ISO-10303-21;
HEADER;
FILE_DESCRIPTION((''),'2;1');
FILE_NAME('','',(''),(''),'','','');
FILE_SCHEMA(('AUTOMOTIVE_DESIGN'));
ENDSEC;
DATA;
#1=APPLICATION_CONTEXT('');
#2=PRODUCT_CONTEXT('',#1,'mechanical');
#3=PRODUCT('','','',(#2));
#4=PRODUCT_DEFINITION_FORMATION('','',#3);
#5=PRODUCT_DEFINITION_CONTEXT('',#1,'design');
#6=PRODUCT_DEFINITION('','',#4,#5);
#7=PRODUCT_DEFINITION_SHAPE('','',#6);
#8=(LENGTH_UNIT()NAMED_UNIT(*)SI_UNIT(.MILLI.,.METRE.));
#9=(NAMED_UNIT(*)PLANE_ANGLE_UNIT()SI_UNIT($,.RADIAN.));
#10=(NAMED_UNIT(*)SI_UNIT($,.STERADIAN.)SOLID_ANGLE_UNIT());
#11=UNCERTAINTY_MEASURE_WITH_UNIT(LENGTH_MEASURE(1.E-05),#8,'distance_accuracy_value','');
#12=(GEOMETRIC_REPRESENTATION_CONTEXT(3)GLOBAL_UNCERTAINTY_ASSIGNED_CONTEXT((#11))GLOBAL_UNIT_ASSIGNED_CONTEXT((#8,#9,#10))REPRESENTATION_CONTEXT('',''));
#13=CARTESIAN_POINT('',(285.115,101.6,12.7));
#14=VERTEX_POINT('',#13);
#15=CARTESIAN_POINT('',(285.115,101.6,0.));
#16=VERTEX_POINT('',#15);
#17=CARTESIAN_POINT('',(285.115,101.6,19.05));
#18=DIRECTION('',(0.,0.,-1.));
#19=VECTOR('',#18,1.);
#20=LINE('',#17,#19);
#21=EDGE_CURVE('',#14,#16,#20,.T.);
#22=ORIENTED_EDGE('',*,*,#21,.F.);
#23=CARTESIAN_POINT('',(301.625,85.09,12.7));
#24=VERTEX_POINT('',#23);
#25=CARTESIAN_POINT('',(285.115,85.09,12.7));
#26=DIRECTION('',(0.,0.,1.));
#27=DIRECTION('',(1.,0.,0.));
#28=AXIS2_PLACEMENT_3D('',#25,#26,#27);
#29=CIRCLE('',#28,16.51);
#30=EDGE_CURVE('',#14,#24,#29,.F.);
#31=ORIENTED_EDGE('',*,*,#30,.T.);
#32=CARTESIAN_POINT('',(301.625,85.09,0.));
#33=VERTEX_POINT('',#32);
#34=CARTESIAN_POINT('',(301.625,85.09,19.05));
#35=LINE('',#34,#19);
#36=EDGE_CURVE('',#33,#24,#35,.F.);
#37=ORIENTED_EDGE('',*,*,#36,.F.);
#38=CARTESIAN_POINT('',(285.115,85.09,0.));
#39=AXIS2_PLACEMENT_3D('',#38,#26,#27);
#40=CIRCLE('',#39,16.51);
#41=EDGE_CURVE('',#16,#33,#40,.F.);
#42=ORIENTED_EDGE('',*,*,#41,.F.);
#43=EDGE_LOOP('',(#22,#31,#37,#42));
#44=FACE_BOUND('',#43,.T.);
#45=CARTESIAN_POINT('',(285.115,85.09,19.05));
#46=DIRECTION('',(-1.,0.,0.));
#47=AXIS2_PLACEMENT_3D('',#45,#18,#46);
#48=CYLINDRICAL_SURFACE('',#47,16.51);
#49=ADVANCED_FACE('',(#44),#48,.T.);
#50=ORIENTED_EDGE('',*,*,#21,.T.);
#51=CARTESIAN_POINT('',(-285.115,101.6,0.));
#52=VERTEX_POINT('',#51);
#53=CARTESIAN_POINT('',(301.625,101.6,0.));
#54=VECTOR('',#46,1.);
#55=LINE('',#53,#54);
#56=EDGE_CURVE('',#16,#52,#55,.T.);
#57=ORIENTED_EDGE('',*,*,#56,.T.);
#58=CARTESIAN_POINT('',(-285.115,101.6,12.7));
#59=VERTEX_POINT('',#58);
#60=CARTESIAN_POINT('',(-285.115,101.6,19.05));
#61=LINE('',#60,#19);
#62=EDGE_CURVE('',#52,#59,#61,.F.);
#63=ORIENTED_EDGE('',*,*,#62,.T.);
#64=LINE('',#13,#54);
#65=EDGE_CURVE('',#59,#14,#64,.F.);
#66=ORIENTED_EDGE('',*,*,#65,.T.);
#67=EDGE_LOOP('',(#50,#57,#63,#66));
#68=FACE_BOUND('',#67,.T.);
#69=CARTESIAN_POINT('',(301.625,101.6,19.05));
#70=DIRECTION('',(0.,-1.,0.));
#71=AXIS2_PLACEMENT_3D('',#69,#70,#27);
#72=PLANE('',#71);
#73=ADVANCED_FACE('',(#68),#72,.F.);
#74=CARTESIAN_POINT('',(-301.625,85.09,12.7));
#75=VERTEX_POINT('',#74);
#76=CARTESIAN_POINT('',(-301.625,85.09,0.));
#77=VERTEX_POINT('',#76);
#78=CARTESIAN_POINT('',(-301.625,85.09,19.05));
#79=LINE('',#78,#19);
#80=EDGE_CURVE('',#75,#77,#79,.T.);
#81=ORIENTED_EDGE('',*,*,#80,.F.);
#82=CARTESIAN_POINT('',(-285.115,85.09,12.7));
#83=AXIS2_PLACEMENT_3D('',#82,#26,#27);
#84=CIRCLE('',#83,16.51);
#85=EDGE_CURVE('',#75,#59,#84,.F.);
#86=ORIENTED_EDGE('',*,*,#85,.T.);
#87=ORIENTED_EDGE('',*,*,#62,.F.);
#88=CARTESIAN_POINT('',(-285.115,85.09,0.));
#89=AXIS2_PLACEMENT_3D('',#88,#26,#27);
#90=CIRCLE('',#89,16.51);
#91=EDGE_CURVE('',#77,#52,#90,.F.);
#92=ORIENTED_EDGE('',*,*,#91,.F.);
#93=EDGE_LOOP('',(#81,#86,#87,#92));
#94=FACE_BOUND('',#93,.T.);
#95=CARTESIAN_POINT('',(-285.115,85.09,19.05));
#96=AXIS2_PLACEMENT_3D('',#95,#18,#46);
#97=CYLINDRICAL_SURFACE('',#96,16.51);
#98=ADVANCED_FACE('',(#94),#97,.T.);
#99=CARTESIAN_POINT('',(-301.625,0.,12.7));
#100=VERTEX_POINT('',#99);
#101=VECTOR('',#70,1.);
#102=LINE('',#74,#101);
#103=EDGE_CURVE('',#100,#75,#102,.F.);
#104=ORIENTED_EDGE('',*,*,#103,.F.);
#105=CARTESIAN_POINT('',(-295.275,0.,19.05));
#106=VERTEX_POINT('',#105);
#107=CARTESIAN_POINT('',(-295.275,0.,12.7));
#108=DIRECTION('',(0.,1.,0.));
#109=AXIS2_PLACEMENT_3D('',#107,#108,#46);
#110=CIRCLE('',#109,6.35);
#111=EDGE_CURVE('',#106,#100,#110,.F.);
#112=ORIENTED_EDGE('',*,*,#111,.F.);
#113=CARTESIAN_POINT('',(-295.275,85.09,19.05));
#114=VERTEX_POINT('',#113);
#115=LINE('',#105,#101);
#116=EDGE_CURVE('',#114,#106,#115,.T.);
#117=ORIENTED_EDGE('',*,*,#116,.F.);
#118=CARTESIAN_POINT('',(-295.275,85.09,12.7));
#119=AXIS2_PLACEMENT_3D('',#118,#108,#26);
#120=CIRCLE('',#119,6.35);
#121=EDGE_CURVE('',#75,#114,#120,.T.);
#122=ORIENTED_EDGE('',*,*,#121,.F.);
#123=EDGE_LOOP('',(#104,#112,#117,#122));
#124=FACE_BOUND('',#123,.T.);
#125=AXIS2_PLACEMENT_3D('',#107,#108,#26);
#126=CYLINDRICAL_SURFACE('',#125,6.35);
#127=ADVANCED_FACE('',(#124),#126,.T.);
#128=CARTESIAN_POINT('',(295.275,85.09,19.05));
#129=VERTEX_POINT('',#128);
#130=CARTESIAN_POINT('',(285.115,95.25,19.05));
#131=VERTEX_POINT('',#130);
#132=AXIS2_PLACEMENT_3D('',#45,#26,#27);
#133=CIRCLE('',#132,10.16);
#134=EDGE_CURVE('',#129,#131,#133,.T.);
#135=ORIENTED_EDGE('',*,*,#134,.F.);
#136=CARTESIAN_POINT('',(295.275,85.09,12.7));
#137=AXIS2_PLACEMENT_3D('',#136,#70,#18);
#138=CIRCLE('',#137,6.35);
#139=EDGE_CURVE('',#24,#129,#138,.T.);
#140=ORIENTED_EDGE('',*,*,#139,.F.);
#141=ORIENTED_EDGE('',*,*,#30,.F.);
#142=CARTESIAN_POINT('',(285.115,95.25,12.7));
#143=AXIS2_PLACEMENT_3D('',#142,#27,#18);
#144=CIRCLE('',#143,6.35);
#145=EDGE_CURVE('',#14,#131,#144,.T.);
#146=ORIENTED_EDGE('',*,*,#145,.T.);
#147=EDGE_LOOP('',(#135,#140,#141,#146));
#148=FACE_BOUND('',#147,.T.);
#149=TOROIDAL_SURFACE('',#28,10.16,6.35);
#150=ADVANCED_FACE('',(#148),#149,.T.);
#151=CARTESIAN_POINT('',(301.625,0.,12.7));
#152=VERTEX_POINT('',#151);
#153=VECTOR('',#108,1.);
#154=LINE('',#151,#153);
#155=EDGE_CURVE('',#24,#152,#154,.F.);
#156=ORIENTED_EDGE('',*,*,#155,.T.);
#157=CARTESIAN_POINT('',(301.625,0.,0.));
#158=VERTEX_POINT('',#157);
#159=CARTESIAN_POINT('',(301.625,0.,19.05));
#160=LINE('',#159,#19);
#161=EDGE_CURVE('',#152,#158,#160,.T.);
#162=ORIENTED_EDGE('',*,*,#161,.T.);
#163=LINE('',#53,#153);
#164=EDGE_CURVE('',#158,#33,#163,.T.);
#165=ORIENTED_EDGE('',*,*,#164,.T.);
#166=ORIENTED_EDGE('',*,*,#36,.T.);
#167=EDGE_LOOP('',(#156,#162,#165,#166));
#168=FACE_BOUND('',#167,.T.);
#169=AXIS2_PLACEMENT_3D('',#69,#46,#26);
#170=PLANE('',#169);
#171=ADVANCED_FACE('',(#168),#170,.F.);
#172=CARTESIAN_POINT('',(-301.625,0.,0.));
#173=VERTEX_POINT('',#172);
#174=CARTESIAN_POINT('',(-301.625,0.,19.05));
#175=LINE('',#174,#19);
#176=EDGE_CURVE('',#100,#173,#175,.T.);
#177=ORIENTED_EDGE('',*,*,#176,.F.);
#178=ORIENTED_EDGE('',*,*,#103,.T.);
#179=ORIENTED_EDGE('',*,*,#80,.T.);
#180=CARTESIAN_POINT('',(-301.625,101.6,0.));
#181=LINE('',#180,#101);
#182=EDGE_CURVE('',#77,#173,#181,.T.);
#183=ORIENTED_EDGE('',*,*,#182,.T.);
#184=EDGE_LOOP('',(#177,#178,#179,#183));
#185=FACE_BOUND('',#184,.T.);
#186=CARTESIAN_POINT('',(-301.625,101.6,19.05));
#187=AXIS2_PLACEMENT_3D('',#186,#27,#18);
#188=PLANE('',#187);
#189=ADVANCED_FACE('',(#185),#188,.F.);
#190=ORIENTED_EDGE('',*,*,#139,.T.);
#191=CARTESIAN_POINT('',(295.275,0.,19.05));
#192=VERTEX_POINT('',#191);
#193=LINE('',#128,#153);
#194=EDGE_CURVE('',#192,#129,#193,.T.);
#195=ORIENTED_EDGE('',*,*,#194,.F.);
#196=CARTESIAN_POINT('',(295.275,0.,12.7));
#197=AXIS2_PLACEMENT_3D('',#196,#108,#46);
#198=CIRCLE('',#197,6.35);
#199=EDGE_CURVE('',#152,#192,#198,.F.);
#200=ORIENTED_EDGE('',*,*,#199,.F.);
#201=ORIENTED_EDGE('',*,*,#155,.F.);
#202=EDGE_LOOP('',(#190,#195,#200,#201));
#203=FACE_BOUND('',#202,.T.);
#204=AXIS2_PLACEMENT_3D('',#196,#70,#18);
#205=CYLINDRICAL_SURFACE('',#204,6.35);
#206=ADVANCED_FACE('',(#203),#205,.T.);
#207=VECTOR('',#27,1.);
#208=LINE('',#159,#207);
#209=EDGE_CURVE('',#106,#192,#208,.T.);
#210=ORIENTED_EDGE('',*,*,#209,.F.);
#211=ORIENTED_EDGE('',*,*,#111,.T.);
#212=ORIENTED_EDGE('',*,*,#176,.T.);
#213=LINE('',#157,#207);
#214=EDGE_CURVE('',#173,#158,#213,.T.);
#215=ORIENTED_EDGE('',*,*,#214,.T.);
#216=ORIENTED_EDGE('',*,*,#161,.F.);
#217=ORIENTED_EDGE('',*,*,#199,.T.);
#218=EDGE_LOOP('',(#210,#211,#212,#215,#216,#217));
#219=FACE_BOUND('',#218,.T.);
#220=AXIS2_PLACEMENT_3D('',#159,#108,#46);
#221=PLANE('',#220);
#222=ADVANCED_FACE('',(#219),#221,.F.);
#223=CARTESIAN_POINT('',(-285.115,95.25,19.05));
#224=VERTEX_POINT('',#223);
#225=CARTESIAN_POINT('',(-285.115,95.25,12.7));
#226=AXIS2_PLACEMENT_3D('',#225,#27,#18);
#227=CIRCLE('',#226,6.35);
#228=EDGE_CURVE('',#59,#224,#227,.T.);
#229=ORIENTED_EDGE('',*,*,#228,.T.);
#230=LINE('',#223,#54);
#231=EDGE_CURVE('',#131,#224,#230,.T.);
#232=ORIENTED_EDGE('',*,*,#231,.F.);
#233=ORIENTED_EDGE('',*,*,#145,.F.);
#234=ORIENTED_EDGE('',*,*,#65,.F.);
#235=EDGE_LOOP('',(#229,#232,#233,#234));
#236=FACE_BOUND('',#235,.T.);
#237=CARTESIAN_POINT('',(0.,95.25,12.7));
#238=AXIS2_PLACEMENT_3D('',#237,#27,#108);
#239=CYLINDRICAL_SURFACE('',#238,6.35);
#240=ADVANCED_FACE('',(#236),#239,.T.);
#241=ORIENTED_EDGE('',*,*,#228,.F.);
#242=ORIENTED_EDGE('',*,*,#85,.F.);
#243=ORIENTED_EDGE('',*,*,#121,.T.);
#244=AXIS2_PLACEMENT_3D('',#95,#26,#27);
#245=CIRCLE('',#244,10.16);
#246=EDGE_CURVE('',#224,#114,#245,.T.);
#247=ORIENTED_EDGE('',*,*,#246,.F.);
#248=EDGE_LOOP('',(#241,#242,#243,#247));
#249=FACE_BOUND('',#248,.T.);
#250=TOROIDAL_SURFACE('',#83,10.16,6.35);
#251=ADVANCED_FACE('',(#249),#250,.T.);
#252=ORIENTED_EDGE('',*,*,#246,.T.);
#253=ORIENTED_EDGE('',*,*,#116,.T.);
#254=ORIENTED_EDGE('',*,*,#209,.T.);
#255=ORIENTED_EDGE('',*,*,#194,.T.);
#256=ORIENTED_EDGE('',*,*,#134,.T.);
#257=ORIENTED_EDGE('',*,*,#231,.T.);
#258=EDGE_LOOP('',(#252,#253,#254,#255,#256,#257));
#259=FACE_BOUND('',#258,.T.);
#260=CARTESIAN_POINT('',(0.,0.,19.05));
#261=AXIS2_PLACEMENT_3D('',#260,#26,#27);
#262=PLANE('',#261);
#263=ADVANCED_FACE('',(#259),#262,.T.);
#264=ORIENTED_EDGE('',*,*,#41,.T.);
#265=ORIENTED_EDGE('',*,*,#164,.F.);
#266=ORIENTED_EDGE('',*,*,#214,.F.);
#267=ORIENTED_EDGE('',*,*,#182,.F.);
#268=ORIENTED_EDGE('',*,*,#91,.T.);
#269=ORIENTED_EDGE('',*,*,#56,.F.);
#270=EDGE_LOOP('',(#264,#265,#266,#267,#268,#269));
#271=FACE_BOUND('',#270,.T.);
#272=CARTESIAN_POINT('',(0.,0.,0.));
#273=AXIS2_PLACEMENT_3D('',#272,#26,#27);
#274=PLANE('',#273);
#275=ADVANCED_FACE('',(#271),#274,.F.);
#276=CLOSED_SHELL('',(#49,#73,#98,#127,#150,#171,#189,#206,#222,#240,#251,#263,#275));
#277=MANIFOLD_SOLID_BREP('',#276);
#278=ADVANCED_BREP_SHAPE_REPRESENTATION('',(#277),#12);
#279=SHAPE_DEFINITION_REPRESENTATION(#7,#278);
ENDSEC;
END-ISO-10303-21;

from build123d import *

# Parameters (mm, degrees)
SKETCH1_W           = 603.25
SKETCH1_H           = 101.6
BOSS_EXTRUDE1_DEPTH = 19.05
FILLET1_R           = 16.51
FILLET2_R           = 6.35


with BuildPart() as part:
    # Sketch1 → Boss-Extrude1 (new body)
    with BuildSketch(Plane.XY):
        with Locations((0, 50.8)):
            Rectangle(SKETCH1_W, SKETCH1_H)
    extrude(amount=BOSS_EXTRUDE1_DEPTH)

    # Fillet1
    fillet1_edges = [part.edges().sort_by_distance(p)[0] for p in [
        (301.625, 101.6, 9.525),
        (-301.625, 101.6, 9.525),
    ]]
    fillet(fillet1_edges, radius=FILLET1_R)

    # Fillet2
    fillet2_edges = [part.edges().sort_by_distance(p)[0] for p in [
        (301.625, 42.545, 19.05),
        (-301.625, 42.545, 19.05),
        (0, 101.6, 19.05),
        (296.789332957, 96.764332957, 19.05),
        (-296.789332957, 96.764332957, 19.05),
    ]]
    fillet(fillet2_edges, radius=FILLET2_R)


solid = part.part
